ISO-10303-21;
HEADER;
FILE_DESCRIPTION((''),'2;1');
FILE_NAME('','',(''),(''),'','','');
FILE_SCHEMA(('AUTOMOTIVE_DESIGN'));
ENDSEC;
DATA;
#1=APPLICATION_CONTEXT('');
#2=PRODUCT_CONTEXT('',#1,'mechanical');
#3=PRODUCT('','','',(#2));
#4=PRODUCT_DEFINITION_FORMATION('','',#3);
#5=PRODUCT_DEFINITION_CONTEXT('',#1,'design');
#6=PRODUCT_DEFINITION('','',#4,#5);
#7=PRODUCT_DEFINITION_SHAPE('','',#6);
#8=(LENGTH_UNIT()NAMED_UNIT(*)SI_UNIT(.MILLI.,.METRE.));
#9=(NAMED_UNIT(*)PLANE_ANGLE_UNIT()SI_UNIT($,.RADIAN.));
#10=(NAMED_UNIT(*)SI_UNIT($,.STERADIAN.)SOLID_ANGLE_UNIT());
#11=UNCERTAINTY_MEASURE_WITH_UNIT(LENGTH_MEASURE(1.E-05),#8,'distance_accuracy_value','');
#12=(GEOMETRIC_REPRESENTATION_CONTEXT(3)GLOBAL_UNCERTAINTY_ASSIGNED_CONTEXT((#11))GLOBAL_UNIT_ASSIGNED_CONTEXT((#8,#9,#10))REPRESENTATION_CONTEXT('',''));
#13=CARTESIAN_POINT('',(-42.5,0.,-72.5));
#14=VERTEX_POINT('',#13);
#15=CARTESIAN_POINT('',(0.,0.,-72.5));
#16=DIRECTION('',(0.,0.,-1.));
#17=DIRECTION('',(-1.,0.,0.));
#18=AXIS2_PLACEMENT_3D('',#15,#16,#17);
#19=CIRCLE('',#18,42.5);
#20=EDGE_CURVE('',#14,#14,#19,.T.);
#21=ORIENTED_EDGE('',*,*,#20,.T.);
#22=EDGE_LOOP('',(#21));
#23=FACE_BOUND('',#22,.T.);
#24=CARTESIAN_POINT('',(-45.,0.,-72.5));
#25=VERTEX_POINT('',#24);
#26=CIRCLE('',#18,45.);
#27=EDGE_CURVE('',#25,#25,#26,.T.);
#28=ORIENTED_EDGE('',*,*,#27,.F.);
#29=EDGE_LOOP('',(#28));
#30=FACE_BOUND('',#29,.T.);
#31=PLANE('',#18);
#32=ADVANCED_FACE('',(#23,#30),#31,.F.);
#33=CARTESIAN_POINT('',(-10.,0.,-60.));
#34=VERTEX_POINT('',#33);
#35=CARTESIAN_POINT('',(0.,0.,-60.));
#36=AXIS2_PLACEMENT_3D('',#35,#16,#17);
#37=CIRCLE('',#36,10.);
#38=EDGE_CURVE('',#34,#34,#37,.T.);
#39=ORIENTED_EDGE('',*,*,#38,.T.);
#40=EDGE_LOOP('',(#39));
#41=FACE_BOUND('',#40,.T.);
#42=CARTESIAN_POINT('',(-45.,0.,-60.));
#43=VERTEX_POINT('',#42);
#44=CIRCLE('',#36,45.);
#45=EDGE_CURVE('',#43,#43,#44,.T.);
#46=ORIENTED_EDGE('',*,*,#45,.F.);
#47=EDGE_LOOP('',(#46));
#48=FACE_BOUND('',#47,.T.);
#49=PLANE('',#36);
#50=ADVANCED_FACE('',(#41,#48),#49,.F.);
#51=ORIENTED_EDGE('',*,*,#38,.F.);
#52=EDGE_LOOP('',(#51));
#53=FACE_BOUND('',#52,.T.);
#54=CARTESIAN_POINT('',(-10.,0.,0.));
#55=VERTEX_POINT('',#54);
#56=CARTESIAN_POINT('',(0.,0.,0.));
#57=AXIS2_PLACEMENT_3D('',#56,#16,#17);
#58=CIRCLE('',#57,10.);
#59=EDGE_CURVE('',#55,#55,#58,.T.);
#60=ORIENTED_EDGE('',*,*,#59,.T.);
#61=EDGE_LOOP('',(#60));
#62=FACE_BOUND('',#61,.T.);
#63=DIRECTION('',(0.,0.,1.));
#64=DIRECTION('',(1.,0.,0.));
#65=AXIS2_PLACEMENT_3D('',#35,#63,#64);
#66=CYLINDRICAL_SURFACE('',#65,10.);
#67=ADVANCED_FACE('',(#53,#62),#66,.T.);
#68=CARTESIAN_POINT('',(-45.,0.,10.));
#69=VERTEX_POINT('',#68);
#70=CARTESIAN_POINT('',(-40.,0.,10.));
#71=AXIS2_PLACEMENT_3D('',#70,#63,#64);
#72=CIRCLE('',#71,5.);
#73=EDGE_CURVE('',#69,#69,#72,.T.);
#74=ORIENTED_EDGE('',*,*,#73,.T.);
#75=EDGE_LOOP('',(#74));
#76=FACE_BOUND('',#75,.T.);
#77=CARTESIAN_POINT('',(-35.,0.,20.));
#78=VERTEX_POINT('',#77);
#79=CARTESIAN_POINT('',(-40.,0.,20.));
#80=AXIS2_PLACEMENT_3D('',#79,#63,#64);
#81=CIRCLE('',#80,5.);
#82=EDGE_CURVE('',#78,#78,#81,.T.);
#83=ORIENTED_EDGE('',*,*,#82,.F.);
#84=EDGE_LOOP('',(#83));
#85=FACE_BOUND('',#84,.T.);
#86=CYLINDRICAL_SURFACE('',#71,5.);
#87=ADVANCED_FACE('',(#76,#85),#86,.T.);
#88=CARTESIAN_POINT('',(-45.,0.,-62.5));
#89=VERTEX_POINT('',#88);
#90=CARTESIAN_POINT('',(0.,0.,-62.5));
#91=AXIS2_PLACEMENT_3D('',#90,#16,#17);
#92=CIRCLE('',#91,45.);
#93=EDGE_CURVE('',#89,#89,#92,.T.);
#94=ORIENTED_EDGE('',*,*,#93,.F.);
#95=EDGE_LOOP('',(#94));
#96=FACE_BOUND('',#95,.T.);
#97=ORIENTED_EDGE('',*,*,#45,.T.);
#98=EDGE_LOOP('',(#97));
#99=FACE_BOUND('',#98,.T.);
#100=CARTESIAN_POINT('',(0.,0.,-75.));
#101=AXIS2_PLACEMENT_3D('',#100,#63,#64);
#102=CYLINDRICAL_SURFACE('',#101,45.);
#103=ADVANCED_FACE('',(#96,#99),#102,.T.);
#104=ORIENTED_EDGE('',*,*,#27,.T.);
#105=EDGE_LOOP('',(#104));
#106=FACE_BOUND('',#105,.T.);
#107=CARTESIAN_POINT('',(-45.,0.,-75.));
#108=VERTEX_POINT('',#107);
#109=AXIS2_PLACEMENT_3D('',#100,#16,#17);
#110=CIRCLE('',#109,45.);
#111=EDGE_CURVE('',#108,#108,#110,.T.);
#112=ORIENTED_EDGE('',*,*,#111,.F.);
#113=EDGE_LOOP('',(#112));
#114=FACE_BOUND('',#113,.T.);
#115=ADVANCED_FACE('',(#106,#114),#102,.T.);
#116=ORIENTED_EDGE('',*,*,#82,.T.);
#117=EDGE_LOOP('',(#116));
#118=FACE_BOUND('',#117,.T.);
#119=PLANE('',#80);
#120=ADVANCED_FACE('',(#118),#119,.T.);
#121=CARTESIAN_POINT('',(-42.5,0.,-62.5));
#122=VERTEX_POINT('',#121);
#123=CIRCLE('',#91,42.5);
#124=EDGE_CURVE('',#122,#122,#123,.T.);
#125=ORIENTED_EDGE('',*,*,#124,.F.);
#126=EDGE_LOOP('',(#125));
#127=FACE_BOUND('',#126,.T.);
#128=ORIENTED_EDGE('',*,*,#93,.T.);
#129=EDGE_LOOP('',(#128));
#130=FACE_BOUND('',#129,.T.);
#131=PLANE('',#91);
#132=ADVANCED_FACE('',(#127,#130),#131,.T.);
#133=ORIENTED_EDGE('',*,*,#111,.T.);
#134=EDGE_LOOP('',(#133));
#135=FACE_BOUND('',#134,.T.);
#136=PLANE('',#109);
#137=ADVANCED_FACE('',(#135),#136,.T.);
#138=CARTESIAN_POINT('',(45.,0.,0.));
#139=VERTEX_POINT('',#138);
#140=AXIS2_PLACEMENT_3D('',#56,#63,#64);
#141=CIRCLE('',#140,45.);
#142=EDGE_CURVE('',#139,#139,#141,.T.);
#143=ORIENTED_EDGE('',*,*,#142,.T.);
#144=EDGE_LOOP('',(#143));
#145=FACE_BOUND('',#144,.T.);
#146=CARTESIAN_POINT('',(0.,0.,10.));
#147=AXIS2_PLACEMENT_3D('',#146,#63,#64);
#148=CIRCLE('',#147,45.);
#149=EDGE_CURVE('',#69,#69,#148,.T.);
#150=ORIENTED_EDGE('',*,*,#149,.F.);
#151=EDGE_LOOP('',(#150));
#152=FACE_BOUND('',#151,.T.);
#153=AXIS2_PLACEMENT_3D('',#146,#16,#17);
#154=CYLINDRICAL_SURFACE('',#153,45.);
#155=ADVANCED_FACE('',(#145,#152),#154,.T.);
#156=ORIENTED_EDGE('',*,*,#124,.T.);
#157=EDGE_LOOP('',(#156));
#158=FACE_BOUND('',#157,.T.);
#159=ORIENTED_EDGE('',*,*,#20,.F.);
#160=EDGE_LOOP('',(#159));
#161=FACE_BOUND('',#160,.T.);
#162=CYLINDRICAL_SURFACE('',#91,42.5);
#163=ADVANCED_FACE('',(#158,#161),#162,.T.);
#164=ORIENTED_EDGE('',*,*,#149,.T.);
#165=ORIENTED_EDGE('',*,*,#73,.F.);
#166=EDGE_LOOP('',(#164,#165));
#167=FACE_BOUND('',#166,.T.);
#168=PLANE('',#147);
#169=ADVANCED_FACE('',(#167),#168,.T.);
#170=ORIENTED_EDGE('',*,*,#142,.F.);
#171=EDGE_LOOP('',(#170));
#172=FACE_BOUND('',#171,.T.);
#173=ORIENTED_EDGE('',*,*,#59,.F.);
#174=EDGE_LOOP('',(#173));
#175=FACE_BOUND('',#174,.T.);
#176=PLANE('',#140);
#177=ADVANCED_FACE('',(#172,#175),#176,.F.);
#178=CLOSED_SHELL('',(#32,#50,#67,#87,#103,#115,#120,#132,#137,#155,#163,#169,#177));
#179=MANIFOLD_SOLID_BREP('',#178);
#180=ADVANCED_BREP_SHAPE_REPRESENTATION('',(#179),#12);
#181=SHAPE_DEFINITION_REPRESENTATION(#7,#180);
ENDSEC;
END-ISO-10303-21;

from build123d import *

# Parameters (mm, degrees)
SKETCH1_R           = 45
BOSS_EXTRUDE1_DEPTH = 10
SKETCH2_R           = 5
BOSS_EXTRUDE2_DEPTH = 10
SKETCH3_R           = 10
BOSS_EXTRUDE3_DEPTH = 60
BOSS_EXTRUDE4_START = 15
SKETCH4_R           = 45
BOSS_EXTRUDE4_DEPTH = 15
CUT_EXTRUDE1_START  = -2.5
SKETCH5_R           = 45
SKETCH5_R_2         = 42.5
CUT_EXTRUDE1_DEPTH  = 10


with BuildPart() as part:
    # Sketch1 → Boss-Extrude1 (new body)
    with BuildSketch(Plane.XY):
        Circle(SKETCH1_R)
    extrude(amount=BOSS_EXTRUDE1_DEPTH)

    # Sketch2 → Boss-Extrude2 (add)
    with BuildSketch(Plane.XY.offset(20)):
        with Locations((-40, 0)):
            Circle(SKETCH2_R)
    extrude(amount=-BOSS_EXTRUDE2_DEPTH)

    # Sketch3 → Boss-Extrude3 (add)
    with BuildSketch(Plane(origin=(0, 0, 0), x_dir=(-1, 0, 0), z_dir=(0, 0, -1))):
        Circle(SKETCH3_R)
    extrude(amount=BOSS_EXTRUDE3_DEPTH)

    # Sketch4 → Boss-Extrude4 (add)
    with BuildSketch(Plane(origin=(0, 0, -60), x_dir=(-1, 0, 0), z_dir=(0, 0, -1)).offset(BOSS_EXTRUDE4_START)):
        Circle(SKETCH4_R)
    extrude(amount=-BOSS_EXTRUDE4_DEPTH)

    # Sketch5 → Cut-Extrude1 (cut)
    with BuildSketch(Plane(origin=(0, 0, -75), x_dir=(-1, 0, 0), z_dir=(0, 0, -1)).offset(CUT_EXTRUDE1_START)):
        Circle(SKETCH5_R)
        Circle(SKETCH5_R_2, mode=Mode.SUBTRACT)
    extrude(amount=-CUT_EXTRUDE1_DEPTH, mode=Mode.SUBTRACT)


solid = part.part
